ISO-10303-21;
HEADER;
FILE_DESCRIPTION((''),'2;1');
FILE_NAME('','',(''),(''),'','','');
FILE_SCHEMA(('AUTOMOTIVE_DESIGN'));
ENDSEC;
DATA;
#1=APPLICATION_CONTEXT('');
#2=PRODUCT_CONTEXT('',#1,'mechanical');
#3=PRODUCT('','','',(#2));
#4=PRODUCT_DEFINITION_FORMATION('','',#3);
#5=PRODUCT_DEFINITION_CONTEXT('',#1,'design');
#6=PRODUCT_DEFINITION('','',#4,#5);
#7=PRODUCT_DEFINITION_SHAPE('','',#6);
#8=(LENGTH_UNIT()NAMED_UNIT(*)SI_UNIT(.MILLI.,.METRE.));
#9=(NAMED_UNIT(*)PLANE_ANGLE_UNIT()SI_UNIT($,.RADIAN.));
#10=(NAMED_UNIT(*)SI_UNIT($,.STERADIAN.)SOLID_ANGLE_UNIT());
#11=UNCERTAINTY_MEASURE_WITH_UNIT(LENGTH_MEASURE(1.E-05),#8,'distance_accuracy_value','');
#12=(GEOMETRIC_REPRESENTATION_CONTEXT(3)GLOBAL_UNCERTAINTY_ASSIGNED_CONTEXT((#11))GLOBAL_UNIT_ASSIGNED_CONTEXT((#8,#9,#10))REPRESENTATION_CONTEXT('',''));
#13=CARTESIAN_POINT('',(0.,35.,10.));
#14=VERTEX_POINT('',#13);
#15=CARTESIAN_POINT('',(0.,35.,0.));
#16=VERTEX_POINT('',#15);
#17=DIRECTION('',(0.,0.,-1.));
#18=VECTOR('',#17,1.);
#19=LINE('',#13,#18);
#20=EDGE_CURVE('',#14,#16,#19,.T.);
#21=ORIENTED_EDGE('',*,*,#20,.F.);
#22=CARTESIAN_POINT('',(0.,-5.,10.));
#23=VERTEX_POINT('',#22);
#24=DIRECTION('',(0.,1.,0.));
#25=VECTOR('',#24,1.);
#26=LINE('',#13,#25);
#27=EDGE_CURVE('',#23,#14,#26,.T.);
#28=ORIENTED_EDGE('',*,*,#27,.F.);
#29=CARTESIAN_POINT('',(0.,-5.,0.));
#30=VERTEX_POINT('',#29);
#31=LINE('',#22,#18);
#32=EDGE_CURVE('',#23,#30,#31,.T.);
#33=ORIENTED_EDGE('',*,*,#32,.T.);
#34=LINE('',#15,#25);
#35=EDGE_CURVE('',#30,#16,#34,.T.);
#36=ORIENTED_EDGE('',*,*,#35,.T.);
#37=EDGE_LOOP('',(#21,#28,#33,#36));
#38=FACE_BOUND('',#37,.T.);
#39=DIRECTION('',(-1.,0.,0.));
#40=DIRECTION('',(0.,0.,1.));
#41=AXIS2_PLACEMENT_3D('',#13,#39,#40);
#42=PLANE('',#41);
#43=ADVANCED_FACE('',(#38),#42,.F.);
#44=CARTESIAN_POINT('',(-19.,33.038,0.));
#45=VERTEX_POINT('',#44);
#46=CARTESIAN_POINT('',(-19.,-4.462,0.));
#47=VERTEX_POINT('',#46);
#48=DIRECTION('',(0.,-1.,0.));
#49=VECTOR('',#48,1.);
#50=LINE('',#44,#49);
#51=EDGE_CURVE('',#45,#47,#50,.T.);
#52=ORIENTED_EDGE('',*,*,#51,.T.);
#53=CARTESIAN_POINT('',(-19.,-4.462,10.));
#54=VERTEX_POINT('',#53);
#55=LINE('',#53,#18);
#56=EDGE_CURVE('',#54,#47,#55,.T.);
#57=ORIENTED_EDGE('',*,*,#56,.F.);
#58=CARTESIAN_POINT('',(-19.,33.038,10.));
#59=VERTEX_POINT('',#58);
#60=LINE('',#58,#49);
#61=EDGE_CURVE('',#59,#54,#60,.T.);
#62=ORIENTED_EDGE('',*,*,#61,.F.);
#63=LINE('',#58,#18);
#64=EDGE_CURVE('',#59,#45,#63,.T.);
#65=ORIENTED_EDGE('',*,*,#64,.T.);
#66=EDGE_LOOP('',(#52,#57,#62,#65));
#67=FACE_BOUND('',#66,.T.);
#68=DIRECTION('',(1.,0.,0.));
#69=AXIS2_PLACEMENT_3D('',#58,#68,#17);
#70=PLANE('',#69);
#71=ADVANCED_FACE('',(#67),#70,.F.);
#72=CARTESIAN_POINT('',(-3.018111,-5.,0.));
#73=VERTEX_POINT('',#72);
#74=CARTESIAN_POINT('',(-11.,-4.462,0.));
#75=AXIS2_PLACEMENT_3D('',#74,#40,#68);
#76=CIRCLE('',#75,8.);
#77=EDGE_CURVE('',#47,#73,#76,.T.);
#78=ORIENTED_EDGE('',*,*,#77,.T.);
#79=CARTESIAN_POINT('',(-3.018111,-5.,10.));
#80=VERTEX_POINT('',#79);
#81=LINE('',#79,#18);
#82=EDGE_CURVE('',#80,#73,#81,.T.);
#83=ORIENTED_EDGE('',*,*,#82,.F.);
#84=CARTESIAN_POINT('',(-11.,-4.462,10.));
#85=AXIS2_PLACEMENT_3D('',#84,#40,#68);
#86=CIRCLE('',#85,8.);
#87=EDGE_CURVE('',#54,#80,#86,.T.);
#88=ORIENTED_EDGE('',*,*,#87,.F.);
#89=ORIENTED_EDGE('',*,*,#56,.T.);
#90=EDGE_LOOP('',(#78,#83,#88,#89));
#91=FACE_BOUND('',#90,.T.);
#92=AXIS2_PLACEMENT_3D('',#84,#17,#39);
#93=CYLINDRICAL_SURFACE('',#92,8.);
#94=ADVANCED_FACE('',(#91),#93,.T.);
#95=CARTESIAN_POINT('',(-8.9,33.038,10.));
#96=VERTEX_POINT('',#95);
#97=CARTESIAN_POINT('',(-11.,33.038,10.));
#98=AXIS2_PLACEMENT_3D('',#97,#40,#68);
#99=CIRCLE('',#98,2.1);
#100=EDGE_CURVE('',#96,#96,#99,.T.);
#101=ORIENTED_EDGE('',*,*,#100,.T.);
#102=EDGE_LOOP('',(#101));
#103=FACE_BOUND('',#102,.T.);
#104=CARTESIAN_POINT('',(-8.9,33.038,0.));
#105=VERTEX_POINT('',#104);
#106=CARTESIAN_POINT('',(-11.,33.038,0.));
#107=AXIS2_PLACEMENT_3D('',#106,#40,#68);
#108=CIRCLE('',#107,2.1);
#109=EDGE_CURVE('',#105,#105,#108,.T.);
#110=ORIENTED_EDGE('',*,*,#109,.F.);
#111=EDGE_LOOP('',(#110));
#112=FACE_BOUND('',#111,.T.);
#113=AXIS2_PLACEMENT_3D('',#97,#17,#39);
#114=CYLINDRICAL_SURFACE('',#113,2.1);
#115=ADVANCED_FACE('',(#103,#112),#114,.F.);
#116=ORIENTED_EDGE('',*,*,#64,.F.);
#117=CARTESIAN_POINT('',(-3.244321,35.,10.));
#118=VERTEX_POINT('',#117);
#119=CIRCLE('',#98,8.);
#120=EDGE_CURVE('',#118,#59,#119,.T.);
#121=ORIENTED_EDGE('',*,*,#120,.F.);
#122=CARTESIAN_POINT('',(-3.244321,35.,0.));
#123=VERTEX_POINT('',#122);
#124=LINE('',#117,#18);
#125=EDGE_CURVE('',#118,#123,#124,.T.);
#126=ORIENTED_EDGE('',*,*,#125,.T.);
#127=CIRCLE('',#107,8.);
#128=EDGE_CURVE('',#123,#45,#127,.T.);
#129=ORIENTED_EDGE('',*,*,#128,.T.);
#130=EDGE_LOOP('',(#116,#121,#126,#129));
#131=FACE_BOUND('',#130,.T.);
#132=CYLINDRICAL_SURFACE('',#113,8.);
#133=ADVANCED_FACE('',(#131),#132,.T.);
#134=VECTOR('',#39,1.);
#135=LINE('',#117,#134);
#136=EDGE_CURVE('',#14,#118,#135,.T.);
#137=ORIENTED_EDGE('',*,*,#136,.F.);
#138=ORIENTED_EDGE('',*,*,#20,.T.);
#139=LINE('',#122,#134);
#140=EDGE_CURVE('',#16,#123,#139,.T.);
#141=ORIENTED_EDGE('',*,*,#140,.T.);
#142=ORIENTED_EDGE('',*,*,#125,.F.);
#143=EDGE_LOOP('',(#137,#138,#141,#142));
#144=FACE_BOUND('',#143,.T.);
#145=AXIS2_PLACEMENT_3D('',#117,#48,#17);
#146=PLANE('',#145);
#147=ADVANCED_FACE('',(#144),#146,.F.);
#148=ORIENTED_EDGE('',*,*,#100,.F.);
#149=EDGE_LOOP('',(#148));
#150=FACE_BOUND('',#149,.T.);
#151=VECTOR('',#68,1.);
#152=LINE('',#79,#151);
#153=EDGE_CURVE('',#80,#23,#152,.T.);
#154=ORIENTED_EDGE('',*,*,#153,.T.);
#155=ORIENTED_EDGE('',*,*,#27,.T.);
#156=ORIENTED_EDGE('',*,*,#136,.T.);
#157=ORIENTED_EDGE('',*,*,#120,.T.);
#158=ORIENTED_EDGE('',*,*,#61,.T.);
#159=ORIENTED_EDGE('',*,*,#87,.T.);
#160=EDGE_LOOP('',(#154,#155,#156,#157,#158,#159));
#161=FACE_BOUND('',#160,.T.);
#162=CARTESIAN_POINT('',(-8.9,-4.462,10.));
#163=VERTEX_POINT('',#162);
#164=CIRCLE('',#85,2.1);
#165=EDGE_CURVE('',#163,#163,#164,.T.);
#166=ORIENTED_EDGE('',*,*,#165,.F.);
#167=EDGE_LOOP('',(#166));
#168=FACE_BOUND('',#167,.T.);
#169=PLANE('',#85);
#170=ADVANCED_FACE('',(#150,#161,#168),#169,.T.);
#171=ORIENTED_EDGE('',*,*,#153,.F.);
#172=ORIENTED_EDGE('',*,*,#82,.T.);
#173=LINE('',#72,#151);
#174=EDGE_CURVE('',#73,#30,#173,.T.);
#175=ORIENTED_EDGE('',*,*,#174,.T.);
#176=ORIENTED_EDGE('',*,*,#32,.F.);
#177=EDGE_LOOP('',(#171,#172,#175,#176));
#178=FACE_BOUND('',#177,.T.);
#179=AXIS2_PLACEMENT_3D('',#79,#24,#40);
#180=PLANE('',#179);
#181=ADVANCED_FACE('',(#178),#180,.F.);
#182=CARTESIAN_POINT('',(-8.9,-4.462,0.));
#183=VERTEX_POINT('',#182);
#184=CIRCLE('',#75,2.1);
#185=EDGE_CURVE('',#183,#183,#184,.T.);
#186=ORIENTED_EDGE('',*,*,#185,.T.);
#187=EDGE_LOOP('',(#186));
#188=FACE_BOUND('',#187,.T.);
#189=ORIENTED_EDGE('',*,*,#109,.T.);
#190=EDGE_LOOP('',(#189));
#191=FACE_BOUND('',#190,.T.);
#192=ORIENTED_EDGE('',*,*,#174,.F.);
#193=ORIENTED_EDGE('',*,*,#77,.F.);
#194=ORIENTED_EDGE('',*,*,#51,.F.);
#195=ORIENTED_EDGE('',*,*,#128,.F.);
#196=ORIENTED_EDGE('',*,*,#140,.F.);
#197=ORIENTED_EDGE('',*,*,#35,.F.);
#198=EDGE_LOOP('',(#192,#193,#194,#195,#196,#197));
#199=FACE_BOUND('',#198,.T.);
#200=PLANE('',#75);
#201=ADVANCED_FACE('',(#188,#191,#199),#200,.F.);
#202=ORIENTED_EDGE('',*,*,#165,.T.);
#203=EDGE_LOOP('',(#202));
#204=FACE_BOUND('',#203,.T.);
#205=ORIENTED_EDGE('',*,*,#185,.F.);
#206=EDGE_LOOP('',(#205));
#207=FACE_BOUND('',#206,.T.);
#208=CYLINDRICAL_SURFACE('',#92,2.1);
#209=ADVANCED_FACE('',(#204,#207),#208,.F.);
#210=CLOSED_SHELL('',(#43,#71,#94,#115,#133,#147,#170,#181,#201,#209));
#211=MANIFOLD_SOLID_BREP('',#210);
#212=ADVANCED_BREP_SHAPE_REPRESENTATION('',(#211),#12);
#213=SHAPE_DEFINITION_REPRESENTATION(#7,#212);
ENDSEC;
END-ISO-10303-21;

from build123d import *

# Parameters (mm, degrees)
CROQUIS1_R              = 2.1
SALIENTE_EXTRUIR1_DEPTH = 10


with BuildPart() as part:
    # Croquis1 → Saliente-Extruir1 (new body)
    with BuildSketch(Plane.XY):
        with BuildLine():
            Line((-3.244321048, 35), (0, 35))
            Line((0, 35), (0, -5))
            Line((0, -5), (-3.01811075, -5))
            ThreePointArc((-3.01811075, -5), (-11.269152373, -12.457471031), (-19, -4.462))
            Line((-19, -4.462), (-19, 33.038))
            ThreePointArc((-19, 33.038), (-11.988576853, 40.976684766), (-3.244321048, 35))
        make_face()
        with Locations((-11, -4.462)):
            Circle(CROQUIS1_R, mode=Mode.SUBTRACT)
        with Locations((-11, 33.038)):
            Circle(CROQUIS1_R, mode=Mode.SUBTRACT)
    extrude(amount=SALIENTE_EXTRUIR1_DEPTH)


solid = part.part
